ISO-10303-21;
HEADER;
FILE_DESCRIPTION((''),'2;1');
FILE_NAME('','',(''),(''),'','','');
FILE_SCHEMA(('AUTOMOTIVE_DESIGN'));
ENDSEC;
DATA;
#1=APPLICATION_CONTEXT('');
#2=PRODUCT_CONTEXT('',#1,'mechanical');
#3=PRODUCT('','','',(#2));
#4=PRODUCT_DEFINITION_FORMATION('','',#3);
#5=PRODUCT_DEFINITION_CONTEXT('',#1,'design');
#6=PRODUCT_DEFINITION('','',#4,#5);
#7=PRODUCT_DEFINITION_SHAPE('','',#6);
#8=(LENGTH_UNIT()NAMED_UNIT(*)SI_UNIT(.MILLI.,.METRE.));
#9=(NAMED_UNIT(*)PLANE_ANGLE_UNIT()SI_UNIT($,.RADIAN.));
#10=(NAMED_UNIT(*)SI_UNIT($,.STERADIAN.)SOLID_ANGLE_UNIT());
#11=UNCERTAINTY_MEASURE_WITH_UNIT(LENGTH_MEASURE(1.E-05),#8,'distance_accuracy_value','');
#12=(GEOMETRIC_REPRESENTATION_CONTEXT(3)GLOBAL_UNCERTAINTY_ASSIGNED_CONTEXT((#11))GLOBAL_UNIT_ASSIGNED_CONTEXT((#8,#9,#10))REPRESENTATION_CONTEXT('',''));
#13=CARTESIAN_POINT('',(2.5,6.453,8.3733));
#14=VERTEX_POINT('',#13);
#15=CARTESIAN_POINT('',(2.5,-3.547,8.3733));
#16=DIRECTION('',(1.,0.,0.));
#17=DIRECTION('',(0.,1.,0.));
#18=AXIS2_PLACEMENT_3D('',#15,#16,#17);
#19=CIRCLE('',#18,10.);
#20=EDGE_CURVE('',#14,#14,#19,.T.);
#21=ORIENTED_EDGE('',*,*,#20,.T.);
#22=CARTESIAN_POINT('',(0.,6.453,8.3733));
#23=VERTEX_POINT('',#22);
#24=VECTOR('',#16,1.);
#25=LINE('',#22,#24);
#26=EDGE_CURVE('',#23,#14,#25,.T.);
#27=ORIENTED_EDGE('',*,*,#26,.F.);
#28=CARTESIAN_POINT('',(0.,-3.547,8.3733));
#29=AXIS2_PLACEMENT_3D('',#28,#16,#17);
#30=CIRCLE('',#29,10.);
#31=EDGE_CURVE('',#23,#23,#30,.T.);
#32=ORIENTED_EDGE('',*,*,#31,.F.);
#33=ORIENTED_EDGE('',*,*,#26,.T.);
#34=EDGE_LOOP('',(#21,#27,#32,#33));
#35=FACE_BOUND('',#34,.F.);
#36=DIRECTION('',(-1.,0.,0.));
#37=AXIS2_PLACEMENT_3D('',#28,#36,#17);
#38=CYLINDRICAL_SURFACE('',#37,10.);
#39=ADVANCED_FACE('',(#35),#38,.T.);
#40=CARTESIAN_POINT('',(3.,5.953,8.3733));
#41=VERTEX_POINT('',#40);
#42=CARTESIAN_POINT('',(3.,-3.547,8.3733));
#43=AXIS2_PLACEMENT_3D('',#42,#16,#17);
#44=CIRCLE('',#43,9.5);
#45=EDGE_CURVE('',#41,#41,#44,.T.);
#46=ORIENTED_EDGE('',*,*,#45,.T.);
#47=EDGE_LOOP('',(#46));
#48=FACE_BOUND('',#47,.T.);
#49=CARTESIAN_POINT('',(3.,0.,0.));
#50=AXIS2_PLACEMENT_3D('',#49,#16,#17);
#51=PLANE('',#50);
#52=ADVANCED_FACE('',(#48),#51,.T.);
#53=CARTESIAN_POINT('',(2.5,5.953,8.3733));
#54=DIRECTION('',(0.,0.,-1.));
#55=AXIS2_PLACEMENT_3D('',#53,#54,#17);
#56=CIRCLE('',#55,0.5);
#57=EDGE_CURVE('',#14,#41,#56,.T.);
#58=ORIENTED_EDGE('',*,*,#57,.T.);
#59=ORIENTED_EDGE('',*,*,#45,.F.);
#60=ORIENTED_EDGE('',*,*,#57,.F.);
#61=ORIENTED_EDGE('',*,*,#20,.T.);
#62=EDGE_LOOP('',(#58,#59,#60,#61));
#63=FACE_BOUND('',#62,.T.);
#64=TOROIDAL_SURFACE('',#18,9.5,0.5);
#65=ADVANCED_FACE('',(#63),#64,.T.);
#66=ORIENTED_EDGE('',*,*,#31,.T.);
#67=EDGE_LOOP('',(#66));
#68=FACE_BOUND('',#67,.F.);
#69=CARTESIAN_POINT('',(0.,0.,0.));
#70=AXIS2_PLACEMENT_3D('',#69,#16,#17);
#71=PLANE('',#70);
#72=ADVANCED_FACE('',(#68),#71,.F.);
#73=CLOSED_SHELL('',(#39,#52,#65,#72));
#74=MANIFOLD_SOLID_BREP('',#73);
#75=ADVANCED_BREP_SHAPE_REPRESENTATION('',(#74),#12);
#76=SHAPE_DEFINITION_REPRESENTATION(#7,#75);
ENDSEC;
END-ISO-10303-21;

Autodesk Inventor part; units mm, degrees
ref_plane "YZ Plane" through (0, 0, 0) normal (1, 0, 0) x (0, 1, 0)
ref_plane "XZ Plane" through (0, 0, 0) normal (0, 1, 0) x (-1, 0, 0)
ref_plane "XY Plane" through (0, 0, 0) normal (0, 0, 1) x (1, 0, 0)
sketch "Sketch1" plane through (0, 0, 0) normal (1, 0, 0) x (0, 1, 0)
  circle A0 centre (-3.547, 8.3733) radius 10
  point P0 (0, 0)
  dimension "d0" = 20
extrude "Extrusion1" add sketch "Sketch1" along normal blind 3
fillet "Fillet1" radius 0.5 1 edges at (3, -13.547, 8.3733)
properties part number "baterija"
